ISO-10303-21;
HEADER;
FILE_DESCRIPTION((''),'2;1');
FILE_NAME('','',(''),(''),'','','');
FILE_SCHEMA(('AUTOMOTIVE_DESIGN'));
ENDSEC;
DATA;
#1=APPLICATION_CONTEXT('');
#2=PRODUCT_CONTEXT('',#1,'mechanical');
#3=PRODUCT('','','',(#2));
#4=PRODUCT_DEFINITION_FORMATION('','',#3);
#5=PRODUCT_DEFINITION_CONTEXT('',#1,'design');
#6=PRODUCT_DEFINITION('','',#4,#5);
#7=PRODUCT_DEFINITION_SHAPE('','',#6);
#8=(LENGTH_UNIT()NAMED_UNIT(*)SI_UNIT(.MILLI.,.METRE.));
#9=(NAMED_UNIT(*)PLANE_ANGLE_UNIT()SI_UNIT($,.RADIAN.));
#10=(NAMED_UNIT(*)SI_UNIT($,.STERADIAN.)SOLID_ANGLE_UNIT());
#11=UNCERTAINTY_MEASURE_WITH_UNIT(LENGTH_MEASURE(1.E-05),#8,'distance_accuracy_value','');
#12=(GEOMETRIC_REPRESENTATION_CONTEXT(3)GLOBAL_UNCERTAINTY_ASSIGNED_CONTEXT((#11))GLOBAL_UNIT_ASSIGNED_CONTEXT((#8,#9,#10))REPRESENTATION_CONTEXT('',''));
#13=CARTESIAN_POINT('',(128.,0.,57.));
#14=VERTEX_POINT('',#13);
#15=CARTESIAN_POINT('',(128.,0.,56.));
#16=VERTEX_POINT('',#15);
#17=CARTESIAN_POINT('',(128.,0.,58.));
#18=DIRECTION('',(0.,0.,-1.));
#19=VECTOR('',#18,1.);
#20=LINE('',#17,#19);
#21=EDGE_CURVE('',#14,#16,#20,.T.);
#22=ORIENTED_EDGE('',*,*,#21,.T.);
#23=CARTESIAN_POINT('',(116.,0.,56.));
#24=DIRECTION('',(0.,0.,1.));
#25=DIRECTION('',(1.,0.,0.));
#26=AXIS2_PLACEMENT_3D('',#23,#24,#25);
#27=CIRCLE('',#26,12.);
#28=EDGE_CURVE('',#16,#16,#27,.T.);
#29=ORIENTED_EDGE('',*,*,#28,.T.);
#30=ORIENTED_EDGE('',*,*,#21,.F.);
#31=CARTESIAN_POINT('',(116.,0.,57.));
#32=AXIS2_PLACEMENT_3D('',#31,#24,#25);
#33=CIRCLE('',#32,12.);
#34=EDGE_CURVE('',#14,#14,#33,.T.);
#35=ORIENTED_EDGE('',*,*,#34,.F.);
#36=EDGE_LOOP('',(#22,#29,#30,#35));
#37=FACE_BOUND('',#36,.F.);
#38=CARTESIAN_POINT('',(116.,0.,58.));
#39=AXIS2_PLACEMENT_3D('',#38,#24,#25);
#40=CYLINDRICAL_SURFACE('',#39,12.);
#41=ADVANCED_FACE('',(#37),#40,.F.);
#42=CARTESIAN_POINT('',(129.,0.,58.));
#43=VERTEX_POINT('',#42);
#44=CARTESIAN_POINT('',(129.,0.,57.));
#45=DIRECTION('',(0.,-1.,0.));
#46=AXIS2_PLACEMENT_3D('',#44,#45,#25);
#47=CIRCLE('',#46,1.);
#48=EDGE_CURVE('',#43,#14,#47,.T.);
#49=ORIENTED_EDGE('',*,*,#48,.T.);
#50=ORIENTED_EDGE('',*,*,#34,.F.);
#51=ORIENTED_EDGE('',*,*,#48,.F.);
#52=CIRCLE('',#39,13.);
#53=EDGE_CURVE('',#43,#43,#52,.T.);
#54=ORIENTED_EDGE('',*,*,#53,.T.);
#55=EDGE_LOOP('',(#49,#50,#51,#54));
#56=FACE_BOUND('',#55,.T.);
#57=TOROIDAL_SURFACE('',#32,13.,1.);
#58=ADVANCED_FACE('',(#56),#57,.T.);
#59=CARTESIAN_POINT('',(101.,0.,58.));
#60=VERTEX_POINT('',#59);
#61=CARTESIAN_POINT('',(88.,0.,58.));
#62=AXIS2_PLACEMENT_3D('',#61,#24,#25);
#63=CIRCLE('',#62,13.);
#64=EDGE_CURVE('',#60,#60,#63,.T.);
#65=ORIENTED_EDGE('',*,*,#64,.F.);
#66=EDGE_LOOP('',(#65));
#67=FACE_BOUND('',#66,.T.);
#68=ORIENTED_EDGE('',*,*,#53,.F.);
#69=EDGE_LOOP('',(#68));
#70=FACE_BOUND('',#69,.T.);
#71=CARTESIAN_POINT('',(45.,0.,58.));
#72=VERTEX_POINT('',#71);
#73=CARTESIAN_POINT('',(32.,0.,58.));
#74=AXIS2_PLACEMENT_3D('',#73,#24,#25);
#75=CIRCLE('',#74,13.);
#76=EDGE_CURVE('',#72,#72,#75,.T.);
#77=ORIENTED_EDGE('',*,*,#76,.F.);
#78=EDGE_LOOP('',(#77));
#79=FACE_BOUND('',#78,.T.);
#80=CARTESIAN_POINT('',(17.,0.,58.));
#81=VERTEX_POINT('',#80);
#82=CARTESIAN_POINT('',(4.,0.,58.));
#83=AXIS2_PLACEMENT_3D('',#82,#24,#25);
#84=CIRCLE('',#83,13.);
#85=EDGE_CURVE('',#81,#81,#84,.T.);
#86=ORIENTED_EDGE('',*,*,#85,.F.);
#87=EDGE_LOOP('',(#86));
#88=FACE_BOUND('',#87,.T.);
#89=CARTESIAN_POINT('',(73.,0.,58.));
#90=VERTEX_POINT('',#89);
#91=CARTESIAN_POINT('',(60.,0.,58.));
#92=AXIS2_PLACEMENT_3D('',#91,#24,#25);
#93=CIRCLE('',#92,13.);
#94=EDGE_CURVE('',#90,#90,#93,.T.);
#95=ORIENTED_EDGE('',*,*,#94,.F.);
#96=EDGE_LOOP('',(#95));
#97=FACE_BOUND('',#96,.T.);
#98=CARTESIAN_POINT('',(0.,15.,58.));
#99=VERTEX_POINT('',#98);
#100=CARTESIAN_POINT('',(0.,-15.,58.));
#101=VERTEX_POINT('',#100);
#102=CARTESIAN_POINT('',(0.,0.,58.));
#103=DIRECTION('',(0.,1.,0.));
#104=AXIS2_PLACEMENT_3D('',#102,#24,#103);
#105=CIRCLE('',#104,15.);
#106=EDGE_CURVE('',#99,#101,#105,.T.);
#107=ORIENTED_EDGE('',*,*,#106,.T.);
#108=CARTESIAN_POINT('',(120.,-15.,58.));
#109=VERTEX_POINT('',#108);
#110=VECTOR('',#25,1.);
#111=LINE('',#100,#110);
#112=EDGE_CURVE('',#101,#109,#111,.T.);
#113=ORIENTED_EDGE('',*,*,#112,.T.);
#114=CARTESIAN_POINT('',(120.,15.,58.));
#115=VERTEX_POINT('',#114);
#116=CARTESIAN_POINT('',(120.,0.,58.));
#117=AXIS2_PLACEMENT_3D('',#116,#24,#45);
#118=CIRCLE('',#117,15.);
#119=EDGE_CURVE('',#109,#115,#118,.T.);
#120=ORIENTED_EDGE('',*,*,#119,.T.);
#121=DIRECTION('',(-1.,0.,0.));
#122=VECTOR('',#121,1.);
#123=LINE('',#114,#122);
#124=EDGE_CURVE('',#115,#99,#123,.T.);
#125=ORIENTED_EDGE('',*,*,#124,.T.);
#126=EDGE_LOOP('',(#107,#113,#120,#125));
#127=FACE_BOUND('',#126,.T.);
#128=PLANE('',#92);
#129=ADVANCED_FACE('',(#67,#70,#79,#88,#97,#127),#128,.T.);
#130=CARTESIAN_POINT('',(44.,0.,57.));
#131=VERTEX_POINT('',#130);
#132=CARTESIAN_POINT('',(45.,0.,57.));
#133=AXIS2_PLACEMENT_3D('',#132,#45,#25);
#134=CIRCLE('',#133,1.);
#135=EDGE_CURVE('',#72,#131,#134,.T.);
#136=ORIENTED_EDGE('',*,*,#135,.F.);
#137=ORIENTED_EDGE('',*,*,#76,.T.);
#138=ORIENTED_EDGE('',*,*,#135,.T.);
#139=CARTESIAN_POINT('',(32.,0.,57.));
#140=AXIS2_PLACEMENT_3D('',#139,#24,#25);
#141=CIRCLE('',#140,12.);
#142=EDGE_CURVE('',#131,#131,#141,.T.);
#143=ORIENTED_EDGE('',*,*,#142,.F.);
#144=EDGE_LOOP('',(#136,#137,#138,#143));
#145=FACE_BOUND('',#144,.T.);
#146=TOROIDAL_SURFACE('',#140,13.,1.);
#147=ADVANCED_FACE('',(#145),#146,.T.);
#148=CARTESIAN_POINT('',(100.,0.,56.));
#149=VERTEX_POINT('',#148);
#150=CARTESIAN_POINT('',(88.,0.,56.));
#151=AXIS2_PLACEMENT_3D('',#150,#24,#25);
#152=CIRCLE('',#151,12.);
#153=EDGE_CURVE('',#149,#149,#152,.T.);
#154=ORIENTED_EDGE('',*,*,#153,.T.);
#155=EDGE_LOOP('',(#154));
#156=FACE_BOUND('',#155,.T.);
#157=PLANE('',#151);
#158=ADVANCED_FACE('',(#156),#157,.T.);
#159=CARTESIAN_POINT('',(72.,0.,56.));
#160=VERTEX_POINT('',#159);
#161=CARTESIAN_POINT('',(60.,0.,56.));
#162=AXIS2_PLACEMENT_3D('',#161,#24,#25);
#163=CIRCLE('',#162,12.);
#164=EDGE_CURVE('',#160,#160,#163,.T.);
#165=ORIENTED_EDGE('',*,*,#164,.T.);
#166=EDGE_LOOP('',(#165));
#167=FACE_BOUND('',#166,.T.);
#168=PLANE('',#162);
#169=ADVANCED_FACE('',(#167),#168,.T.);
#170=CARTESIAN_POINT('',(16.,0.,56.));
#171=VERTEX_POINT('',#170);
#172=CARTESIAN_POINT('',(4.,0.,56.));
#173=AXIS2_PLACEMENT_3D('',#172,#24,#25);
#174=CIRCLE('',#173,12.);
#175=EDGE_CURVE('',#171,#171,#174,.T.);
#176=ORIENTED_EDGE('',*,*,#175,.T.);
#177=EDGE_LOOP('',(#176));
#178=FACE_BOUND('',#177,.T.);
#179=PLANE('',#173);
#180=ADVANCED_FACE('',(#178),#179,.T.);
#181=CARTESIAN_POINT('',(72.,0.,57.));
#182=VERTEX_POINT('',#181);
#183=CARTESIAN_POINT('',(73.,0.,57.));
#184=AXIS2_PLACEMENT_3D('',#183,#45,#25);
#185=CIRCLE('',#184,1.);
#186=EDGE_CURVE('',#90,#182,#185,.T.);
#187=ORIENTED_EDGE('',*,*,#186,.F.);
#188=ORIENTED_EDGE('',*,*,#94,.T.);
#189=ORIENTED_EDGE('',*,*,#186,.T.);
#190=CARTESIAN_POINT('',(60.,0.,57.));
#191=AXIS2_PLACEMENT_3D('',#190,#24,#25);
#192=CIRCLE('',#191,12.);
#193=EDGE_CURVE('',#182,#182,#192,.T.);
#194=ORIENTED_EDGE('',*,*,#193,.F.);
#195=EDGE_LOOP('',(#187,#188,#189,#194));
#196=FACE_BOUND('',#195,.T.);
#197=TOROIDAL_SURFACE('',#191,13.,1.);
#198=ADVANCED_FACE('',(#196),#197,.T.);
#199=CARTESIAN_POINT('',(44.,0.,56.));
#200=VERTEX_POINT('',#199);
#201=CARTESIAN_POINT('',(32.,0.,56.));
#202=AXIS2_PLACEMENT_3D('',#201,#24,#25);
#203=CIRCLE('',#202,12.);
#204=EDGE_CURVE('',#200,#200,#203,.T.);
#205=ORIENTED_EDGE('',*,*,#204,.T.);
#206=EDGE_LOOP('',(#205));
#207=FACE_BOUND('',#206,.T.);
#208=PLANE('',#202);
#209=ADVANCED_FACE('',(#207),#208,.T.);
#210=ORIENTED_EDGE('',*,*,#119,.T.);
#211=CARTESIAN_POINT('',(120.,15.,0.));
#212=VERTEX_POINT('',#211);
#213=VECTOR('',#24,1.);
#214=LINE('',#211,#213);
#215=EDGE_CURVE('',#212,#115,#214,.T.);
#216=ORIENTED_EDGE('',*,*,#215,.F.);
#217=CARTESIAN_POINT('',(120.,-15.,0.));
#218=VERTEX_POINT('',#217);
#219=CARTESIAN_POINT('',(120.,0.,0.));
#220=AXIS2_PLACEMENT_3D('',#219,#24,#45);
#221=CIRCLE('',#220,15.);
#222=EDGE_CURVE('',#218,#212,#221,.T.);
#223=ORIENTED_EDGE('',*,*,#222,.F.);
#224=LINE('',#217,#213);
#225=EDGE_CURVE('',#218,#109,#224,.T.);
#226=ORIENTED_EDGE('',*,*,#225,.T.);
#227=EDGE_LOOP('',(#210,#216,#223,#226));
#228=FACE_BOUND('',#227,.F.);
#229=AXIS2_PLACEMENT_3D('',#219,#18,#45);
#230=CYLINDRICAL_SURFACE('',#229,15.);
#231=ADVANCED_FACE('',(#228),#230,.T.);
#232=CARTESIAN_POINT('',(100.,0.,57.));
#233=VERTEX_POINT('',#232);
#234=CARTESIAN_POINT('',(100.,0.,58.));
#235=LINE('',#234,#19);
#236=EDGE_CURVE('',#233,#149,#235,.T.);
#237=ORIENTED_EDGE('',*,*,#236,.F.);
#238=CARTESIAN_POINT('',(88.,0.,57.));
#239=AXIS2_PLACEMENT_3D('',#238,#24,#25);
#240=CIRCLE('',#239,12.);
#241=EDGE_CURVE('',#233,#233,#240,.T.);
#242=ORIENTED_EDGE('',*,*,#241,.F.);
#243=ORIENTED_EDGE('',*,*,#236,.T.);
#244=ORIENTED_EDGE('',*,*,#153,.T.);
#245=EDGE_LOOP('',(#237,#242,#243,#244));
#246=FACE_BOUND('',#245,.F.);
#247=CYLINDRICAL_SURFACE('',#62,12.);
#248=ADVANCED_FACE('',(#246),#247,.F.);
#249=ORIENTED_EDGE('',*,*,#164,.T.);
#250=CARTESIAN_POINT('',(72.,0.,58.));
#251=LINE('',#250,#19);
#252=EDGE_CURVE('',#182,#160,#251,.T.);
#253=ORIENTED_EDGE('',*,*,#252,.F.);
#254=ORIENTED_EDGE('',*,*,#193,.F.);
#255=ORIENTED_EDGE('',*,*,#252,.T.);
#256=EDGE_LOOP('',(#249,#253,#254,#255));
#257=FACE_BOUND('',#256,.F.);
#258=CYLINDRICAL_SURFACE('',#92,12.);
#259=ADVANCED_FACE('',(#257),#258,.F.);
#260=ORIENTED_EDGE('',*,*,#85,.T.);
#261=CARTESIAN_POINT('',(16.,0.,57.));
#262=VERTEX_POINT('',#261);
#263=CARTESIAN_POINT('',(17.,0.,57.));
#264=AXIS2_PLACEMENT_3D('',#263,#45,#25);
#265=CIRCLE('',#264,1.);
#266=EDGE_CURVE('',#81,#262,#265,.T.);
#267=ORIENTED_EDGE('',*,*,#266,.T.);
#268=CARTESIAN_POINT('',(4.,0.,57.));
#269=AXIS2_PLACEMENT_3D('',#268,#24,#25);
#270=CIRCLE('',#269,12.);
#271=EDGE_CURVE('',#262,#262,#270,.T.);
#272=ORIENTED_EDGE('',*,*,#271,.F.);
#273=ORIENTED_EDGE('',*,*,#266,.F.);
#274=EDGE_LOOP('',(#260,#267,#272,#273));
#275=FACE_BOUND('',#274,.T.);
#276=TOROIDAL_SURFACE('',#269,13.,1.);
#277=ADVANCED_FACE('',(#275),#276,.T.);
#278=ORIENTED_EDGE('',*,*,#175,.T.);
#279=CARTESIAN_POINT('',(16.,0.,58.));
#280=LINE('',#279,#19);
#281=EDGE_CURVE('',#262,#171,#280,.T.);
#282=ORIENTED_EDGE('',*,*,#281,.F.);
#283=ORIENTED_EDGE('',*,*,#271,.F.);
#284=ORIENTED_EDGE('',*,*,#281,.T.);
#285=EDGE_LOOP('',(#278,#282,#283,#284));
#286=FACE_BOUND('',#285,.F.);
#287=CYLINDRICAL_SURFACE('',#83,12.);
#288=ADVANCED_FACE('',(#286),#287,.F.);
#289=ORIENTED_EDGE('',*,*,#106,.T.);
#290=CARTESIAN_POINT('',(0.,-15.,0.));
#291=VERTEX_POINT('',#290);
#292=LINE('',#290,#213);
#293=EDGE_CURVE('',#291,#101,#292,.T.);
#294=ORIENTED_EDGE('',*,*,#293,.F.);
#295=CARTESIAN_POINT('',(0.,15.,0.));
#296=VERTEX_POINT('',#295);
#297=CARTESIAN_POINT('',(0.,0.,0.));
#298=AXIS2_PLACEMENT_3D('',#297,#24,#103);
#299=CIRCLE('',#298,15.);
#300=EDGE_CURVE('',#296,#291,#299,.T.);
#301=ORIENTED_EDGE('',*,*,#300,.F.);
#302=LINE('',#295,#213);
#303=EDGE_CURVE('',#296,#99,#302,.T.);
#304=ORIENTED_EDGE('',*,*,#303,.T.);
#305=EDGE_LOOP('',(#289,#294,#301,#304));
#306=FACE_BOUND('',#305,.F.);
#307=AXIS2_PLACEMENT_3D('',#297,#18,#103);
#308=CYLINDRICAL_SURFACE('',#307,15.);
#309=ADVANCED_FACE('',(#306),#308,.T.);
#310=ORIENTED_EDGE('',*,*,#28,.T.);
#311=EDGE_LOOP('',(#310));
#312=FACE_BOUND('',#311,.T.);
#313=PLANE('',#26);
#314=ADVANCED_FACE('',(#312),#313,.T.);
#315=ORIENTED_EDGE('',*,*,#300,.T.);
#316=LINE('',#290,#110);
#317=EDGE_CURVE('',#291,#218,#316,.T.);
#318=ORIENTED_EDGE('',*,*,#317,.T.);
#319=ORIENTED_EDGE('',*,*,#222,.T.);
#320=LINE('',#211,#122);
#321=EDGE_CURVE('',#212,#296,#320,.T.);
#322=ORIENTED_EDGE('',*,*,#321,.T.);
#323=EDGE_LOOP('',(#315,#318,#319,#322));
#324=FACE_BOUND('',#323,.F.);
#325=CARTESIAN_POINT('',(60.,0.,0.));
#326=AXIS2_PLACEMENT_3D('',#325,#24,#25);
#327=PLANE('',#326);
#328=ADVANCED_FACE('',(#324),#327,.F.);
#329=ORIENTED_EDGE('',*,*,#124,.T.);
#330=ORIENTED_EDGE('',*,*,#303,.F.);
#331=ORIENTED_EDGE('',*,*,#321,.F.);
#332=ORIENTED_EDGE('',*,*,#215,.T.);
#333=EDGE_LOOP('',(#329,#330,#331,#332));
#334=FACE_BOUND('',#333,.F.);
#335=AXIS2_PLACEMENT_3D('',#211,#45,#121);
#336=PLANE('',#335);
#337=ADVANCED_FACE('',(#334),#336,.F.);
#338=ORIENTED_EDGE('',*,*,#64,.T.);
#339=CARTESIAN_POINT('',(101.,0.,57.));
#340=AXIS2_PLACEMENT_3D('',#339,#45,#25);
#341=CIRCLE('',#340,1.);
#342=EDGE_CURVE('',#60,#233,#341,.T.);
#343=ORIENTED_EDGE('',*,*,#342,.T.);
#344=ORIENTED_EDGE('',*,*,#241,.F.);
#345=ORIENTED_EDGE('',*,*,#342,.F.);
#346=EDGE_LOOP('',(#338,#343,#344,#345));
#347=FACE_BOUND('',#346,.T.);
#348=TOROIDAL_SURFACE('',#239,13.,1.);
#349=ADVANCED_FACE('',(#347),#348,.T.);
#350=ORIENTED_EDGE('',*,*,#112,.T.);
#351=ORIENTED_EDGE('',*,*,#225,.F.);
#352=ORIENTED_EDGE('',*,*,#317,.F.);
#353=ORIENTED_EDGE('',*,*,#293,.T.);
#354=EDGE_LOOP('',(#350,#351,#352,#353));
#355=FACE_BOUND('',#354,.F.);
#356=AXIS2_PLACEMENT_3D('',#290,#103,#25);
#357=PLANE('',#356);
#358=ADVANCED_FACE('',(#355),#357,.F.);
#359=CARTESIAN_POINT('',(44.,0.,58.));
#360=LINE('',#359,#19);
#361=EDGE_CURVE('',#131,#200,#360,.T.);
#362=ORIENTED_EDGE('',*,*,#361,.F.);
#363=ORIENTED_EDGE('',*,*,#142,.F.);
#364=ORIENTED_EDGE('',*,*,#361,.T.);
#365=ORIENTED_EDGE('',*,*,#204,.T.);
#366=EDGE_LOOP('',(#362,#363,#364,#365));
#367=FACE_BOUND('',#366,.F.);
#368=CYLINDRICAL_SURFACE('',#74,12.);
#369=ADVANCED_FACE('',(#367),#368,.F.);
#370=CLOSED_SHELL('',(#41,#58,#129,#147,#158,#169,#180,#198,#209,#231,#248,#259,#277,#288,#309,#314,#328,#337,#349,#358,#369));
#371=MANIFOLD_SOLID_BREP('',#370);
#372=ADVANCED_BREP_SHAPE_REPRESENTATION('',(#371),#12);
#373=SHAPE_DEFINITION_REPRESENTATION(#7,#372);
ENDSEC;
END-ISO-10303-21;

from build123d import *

# Parameters (mm, degrees)
BOSS_EXTRUDE1_DEPTH = 58
SKETCH2_R           = 12
CUT_EXTRUDE1_DEPTH  = 2
FILLET1_R           = 1


with BuildPart() as part:
    # Sketch1 → Boss-Extrude1 (new body)
    with BuildSketch(Plane.XY):
        with BuildLine():
            Line((120, 15), (0, 15))
            ThreePointArc((0, 15), (-15, 0), (0, -15))
            Line((0, -15), (120, -15))
            ThreePointArc((120, -15), (135, 0), (120, 15))
        make_face()
    extrude(amount=BOSS_EXTRUDE1_DEPTH)

    # Sketch2 → Cut-Extrude1 (cut)
    with BuildSketch(Plane.XY.offset(58)):
        with Locations((60, 0)):
            Circle(SKETCH2_R)
        with Locations((88, 0)):
            Circle(SKETCH2_R)
        with Locations((116, 0)):
            Circle(SKETCH2_R)
        with Locations((32, 0)):
            Circle(SKETCH2_R)
        with Locations((4, 0)):
            Circle(SKETCH2_R)
    extrude(amount=-CUT_EXTRUDE1_DEPTH, mode=Mode.SUBTRACT)

    # Fillet1
    fillet1_edges = [part.edges().sort_by_distance(p)[0] for p in [
        (-8, 0, 58),
        (20, 0, 58),
        (104, 0, 58),
        (76, 0, 58),
        (48, 0, 58),
    ]]
    fillet(fillet1_edges, radius=FILLET1_R)


solid = part.part
